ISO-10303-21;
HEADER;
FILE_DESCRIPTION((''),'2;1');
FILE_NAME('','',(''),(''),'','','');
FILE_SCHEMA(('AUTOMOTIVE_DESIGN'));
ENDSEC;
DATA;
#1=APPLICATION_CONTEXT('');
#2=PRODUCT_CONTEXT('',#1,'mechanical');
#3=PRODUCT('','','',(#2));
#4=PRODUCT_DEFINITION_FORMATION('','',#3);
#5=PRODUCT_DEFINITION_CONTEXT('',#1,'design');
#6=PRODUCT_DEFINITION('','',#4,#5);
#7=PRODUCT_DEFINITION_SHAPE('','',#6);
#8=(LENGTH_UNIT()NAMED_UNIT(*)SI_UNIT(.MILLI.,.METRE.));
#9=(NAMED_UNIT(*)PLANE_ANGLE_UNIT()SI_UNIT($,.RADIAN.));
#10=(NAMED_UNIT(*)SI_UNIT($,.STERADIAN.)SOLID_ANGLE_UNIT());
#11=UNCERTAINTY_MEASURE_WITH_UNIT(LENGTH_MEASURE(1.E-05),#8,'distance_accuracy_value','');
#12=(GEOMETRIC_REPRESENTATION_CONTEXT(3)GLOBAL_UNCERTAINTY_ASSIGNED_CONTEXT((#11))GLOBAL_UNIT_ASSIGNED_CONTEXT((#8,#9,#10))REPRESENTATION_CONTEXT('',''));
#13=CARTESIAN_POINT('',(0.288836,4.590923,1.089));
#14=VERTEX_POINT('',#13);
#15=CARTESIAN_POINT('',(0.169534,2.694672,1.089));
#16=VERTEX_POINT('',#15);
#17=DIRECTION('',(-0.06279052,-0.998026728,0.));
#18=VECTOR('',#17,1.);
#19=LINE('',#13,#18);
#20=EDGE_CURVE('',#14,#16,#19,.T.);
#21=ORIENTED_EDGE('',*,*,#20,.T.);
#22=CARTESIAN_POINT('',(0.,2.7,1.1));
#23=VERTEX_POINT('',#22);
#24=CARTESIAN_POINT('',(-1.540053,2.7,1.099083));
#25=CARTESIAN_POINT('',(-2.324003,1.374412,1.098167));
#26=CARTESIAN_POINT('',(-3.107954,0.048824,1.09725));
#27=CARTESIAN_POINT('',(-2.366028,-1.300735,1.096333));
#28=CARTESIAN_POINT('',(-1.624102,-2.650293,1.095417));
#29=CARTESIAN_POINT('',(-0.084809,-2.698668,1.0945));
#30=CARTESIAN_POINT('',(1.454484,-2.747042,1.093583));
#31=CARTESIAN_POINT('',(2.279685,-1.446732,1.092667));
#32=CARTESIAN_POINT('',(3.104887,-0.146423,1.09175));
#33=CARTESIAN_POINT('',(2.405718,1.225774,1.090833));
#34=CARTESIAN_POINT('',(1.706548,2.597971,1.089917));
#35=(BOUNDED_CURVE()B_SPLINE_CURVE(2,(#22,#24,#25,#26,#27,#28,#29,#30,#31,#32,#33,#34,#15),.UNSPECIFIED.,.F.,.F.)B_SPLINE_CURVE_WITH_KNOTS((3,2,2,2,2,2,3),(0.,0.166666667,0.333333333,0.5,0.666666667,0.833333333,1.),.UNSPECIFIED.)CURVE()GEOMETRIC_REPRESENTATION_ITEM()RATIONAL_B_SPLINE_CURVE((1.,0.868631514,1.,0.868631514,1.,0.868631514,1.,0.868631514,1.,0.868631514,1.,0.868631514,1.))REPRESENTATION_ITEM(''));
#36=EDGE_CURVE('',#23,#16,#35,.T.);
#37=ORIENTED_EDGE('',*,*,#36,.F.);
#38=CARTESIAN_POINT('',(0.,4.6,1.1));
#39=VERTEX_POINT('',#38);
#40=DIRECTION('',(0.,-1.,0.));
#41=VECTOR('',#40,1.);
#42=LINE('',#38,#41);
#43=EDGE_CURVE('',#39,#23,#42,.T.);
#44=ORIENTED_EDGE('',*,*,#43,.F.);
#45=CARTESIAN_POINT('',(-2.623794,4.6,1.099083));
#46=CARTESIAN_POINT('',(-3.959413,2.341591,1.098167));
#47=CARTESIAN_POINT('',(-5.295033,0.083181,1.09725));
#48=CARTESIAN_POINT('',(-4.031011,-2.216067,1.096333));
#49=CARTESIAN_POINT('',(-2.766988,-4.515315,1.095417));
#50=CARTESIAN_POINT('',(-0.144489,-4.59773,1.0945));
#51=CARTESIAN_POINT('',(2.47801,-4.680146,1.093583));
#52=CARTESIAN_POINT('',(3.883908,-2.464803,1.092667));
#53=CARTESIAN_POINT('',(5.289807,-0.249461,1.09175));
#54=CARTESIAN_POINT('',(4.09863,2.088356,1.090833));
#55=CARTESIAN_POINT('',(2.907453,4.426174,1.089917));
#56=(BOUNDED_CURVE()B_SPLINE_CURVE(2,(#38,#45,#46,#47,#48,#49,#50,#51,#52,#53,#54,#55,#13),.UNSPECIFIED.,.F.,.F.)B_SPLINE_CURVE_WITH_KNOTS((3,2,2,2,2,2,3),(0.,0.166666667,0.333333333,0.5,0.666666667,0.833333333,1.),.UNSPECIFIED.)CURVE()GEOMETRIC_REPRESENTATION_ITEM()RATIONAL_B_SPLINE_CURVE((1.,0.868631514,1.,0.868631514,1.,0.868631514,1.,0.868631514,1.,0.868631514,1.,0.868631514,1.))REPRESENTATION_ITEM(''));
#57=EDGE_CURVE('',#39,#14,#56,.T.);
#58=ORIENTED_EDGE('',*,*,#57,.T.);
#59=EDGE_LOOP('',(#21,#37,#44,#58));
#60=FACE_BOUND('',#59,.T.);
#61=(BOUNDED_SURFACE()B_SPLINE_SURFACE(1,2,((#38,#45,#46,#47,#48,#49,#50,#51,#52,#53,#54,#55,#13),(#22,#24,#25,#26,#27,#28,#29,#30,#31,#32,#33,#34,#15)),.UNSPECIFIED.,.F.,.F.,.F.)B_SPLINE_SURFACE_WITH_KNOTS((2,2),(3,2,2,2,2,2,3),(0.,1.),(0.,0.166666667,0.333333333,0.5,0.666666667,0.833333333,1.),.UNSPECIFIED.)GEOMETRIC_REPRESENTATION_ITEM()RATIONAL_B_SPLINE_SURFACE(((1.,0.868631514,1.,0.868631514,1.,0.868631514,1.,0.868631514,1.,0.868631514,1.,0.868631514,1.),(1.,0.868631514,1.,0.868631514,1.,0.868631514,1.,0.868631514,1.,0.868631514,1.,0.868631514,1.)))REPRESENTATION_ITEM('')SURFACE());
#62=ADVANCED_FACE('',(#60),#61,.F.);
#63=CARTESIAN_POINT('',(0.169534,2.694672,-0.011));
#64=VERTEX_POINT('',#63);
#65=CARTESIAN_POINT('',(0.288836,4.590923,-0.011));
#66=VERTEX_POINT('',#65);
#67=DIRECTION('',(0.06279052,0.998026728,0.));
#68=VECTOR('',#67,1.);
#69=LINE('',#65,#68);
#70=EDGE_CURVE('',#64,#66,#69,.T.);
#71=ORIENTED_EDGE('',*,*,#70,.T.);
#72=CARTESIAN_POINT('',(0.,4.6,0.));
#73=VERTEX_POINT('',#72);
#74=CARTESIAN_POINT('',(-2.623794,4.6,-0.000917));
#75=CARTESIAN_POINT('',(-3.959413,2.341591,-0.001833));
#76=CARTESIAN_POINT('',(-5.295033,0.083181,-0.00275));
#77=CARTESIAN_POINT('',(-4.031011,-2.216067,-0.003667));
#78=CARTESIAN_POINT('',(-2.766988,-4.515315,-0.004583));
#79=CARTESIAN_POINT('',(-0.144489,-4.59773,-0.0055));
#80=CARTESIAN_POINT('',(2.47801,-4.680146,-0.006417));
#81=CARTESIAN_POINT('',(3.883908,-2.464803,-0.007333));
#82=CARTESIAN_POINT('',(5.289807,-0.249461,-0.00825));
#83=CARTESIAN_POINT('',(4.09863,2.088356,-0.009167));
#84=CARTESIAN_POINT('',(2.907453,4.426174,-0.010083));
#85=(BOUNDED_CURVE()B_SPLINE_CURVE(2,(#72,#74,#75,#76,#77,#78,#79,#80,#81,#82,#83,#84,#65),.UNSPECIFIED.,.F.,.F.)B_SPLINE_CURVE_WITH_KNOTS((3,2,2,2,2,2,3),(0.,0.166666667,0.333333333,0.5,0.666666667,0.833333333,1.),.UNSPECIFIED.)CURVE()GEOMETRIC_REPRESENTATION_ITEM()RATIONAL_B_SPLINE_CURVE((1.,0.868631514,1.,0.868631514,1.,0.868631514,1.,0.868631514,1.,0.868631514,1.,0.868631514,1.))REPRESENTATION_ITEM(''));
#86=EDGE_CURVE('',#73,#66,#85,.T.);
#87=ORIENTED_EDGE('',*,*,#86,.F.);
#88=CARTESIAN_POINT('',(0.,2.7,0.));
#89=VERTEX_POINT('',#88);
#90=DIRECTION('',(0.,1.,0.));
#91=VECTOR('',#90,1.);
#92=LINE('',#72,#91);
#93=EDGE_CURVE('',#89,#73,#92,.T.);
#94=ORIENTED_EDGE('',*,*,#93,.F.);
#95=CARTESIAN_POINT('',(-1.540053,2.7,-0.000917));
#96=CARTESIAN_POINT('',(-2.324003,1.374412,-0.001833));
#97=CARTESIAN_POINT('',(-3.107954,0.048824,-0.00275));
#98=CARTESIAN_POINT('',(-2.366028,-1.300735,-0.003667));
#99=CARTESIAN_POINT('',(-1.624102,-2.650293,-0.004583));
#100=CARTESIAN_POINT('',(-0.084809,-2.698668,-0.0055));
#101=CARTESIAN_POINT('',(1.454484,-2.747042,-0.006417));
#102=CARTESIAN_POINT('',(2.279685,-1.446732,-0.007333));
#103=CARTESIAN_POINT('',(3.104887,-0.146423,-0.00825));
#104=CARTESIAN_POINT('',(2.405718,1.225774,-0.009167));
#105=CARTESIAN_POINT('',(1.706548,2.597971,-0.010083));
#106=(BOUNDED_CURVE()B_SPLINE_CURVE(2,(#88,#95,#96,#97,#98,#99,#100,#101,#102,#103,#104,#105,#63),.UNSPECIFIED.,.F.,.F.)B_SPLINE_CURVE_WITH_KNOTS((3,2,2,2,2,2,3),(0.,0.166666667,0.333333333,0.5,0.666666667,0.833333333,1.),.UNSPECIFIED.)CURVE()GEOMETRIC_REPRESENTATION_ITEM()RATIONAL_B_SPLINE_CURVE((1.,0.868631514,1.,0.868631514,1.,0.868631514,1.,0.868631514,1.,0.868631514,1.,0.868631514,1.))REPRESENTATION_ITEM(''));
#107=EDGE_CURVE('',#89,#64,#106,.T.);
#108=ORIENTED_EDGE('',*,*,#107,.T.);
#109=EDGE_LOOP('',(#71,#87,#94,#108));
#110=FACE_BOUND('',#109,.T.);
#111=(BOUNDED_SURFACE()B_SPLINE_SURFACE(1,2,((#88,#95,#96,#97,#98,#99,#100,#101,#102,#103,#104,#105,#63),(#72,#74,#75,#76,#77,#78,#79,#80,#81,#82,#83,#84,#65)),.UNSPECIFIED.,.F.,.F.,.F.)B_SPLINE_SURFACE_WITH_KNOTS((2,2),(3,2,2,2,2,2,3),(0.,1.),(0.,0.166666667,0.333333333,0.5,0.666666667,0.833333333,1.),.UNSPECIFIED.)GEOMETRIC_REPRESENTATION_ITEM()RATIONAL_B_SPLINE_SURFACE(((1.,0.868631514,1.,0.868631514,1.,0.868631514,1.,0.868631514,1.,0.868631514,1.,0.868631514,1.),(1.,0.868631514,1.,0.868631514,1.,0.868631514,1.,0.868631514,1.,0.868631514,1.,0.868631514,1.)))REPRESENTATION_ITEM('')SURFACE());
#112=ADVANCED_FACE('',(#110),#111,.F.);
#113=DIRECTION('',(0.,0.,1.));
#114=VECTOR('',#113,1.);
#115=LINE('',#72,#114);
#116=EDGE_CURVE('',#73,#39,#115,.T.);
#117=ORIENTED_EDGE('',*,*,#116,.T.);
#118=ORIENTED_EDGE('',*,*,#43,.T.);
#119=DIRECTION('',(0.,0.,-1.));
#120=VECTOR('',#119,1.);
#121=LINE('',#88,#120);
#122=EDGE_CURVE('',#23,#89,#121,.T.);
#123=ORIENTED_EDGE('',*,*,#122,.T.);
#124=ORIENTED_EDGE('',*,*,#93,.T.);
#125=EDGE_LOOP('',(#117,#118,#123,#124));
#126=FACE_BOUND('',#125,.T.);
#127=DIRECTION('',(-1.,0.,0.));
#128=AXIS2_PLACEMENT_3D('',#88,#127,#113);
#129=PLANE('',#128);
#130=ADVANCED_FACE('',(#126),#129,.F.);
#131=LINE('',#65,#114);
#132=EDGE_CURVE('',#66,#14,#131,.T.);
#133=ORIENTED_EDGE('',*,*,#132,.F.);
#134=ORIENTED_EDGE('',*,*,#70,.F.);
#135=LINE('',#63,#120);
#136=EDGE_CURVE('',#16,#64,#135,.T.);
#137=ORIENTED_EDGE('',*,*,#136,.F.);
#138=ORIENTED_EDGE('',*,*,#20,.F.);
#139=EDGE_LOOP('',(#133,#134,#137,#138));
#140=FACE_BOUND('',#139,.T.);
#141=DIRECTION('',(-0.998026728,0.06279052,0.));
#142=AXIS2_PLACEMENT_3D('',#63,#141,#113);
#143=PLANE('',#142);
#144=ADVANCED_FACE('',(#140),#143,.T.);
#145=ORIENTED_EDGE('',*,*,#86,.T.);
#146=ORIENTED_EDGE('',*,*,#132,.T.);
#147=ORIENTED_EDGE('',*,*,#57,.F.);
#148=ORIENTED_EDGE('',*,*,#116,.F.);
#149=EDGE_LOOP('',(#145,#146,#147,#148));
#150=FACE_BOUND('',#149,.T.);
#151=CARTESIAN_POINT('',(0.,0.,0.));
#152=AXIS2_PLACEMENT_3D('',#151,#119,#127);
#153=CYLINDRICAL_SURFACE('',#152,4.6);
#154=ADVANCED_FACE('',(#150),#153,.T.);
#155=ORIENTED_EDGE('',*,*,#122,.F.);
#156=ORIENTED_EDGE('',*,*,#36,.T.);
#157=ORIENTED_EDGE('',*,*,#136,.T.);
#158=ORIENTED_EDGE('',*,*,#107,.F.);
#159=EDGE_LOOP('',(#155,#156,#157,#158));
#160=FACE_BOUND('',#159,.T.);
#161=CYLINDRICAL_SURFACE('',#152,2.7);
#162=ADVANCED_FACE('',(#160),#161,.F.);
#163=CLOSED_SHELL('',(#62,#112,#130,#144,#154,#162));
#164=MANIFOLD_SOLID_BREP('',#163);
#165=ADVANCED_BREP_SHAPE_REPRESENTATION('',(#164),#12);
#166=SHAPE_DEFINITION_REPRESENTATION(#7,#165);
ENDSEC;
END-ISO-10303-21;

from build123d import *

# Parameters (mm, degrees)
SWEEP1_PITCH       = 0.011111111
SWEEP1_HEIGHT      = 0.011
SWEEP1_RADIUS      = 4.6
SWEEP1_START_ANGLE = 90
SKETCH2_W          = 1.1
SKETCH2_H          = 1.9


with BuildPart() as part:
    # Sweep1: sweep along a helix
    with BuildLine() as sweep1_path:
        add(Helix(SWEEP1_PITCH, SWEEP1_HEIGHT, SWEEP1_RADIUS, center=(0, 0, 0), direction=(0, 0, -1), lefthand=True, mode=Mode.PRIVATE).rotate(Axis((0, 0, 0), (0, 0, -1)), SWEEP1_START_ANGLE))
    # Sketch2 → Sweep1 (sweep)
    with BuildSketch(Plane(origin=(0, 0, 0), x_dir=(0, 0, -1), z_dir=(1, 0, 0))):
        with Locations((-0.55, 3.65)):
            Rectangle(SKETCH2_W, SKETCH2_H)
    sweep(path=sweep1_path.line, is_frenet=True)


solid = part.part
